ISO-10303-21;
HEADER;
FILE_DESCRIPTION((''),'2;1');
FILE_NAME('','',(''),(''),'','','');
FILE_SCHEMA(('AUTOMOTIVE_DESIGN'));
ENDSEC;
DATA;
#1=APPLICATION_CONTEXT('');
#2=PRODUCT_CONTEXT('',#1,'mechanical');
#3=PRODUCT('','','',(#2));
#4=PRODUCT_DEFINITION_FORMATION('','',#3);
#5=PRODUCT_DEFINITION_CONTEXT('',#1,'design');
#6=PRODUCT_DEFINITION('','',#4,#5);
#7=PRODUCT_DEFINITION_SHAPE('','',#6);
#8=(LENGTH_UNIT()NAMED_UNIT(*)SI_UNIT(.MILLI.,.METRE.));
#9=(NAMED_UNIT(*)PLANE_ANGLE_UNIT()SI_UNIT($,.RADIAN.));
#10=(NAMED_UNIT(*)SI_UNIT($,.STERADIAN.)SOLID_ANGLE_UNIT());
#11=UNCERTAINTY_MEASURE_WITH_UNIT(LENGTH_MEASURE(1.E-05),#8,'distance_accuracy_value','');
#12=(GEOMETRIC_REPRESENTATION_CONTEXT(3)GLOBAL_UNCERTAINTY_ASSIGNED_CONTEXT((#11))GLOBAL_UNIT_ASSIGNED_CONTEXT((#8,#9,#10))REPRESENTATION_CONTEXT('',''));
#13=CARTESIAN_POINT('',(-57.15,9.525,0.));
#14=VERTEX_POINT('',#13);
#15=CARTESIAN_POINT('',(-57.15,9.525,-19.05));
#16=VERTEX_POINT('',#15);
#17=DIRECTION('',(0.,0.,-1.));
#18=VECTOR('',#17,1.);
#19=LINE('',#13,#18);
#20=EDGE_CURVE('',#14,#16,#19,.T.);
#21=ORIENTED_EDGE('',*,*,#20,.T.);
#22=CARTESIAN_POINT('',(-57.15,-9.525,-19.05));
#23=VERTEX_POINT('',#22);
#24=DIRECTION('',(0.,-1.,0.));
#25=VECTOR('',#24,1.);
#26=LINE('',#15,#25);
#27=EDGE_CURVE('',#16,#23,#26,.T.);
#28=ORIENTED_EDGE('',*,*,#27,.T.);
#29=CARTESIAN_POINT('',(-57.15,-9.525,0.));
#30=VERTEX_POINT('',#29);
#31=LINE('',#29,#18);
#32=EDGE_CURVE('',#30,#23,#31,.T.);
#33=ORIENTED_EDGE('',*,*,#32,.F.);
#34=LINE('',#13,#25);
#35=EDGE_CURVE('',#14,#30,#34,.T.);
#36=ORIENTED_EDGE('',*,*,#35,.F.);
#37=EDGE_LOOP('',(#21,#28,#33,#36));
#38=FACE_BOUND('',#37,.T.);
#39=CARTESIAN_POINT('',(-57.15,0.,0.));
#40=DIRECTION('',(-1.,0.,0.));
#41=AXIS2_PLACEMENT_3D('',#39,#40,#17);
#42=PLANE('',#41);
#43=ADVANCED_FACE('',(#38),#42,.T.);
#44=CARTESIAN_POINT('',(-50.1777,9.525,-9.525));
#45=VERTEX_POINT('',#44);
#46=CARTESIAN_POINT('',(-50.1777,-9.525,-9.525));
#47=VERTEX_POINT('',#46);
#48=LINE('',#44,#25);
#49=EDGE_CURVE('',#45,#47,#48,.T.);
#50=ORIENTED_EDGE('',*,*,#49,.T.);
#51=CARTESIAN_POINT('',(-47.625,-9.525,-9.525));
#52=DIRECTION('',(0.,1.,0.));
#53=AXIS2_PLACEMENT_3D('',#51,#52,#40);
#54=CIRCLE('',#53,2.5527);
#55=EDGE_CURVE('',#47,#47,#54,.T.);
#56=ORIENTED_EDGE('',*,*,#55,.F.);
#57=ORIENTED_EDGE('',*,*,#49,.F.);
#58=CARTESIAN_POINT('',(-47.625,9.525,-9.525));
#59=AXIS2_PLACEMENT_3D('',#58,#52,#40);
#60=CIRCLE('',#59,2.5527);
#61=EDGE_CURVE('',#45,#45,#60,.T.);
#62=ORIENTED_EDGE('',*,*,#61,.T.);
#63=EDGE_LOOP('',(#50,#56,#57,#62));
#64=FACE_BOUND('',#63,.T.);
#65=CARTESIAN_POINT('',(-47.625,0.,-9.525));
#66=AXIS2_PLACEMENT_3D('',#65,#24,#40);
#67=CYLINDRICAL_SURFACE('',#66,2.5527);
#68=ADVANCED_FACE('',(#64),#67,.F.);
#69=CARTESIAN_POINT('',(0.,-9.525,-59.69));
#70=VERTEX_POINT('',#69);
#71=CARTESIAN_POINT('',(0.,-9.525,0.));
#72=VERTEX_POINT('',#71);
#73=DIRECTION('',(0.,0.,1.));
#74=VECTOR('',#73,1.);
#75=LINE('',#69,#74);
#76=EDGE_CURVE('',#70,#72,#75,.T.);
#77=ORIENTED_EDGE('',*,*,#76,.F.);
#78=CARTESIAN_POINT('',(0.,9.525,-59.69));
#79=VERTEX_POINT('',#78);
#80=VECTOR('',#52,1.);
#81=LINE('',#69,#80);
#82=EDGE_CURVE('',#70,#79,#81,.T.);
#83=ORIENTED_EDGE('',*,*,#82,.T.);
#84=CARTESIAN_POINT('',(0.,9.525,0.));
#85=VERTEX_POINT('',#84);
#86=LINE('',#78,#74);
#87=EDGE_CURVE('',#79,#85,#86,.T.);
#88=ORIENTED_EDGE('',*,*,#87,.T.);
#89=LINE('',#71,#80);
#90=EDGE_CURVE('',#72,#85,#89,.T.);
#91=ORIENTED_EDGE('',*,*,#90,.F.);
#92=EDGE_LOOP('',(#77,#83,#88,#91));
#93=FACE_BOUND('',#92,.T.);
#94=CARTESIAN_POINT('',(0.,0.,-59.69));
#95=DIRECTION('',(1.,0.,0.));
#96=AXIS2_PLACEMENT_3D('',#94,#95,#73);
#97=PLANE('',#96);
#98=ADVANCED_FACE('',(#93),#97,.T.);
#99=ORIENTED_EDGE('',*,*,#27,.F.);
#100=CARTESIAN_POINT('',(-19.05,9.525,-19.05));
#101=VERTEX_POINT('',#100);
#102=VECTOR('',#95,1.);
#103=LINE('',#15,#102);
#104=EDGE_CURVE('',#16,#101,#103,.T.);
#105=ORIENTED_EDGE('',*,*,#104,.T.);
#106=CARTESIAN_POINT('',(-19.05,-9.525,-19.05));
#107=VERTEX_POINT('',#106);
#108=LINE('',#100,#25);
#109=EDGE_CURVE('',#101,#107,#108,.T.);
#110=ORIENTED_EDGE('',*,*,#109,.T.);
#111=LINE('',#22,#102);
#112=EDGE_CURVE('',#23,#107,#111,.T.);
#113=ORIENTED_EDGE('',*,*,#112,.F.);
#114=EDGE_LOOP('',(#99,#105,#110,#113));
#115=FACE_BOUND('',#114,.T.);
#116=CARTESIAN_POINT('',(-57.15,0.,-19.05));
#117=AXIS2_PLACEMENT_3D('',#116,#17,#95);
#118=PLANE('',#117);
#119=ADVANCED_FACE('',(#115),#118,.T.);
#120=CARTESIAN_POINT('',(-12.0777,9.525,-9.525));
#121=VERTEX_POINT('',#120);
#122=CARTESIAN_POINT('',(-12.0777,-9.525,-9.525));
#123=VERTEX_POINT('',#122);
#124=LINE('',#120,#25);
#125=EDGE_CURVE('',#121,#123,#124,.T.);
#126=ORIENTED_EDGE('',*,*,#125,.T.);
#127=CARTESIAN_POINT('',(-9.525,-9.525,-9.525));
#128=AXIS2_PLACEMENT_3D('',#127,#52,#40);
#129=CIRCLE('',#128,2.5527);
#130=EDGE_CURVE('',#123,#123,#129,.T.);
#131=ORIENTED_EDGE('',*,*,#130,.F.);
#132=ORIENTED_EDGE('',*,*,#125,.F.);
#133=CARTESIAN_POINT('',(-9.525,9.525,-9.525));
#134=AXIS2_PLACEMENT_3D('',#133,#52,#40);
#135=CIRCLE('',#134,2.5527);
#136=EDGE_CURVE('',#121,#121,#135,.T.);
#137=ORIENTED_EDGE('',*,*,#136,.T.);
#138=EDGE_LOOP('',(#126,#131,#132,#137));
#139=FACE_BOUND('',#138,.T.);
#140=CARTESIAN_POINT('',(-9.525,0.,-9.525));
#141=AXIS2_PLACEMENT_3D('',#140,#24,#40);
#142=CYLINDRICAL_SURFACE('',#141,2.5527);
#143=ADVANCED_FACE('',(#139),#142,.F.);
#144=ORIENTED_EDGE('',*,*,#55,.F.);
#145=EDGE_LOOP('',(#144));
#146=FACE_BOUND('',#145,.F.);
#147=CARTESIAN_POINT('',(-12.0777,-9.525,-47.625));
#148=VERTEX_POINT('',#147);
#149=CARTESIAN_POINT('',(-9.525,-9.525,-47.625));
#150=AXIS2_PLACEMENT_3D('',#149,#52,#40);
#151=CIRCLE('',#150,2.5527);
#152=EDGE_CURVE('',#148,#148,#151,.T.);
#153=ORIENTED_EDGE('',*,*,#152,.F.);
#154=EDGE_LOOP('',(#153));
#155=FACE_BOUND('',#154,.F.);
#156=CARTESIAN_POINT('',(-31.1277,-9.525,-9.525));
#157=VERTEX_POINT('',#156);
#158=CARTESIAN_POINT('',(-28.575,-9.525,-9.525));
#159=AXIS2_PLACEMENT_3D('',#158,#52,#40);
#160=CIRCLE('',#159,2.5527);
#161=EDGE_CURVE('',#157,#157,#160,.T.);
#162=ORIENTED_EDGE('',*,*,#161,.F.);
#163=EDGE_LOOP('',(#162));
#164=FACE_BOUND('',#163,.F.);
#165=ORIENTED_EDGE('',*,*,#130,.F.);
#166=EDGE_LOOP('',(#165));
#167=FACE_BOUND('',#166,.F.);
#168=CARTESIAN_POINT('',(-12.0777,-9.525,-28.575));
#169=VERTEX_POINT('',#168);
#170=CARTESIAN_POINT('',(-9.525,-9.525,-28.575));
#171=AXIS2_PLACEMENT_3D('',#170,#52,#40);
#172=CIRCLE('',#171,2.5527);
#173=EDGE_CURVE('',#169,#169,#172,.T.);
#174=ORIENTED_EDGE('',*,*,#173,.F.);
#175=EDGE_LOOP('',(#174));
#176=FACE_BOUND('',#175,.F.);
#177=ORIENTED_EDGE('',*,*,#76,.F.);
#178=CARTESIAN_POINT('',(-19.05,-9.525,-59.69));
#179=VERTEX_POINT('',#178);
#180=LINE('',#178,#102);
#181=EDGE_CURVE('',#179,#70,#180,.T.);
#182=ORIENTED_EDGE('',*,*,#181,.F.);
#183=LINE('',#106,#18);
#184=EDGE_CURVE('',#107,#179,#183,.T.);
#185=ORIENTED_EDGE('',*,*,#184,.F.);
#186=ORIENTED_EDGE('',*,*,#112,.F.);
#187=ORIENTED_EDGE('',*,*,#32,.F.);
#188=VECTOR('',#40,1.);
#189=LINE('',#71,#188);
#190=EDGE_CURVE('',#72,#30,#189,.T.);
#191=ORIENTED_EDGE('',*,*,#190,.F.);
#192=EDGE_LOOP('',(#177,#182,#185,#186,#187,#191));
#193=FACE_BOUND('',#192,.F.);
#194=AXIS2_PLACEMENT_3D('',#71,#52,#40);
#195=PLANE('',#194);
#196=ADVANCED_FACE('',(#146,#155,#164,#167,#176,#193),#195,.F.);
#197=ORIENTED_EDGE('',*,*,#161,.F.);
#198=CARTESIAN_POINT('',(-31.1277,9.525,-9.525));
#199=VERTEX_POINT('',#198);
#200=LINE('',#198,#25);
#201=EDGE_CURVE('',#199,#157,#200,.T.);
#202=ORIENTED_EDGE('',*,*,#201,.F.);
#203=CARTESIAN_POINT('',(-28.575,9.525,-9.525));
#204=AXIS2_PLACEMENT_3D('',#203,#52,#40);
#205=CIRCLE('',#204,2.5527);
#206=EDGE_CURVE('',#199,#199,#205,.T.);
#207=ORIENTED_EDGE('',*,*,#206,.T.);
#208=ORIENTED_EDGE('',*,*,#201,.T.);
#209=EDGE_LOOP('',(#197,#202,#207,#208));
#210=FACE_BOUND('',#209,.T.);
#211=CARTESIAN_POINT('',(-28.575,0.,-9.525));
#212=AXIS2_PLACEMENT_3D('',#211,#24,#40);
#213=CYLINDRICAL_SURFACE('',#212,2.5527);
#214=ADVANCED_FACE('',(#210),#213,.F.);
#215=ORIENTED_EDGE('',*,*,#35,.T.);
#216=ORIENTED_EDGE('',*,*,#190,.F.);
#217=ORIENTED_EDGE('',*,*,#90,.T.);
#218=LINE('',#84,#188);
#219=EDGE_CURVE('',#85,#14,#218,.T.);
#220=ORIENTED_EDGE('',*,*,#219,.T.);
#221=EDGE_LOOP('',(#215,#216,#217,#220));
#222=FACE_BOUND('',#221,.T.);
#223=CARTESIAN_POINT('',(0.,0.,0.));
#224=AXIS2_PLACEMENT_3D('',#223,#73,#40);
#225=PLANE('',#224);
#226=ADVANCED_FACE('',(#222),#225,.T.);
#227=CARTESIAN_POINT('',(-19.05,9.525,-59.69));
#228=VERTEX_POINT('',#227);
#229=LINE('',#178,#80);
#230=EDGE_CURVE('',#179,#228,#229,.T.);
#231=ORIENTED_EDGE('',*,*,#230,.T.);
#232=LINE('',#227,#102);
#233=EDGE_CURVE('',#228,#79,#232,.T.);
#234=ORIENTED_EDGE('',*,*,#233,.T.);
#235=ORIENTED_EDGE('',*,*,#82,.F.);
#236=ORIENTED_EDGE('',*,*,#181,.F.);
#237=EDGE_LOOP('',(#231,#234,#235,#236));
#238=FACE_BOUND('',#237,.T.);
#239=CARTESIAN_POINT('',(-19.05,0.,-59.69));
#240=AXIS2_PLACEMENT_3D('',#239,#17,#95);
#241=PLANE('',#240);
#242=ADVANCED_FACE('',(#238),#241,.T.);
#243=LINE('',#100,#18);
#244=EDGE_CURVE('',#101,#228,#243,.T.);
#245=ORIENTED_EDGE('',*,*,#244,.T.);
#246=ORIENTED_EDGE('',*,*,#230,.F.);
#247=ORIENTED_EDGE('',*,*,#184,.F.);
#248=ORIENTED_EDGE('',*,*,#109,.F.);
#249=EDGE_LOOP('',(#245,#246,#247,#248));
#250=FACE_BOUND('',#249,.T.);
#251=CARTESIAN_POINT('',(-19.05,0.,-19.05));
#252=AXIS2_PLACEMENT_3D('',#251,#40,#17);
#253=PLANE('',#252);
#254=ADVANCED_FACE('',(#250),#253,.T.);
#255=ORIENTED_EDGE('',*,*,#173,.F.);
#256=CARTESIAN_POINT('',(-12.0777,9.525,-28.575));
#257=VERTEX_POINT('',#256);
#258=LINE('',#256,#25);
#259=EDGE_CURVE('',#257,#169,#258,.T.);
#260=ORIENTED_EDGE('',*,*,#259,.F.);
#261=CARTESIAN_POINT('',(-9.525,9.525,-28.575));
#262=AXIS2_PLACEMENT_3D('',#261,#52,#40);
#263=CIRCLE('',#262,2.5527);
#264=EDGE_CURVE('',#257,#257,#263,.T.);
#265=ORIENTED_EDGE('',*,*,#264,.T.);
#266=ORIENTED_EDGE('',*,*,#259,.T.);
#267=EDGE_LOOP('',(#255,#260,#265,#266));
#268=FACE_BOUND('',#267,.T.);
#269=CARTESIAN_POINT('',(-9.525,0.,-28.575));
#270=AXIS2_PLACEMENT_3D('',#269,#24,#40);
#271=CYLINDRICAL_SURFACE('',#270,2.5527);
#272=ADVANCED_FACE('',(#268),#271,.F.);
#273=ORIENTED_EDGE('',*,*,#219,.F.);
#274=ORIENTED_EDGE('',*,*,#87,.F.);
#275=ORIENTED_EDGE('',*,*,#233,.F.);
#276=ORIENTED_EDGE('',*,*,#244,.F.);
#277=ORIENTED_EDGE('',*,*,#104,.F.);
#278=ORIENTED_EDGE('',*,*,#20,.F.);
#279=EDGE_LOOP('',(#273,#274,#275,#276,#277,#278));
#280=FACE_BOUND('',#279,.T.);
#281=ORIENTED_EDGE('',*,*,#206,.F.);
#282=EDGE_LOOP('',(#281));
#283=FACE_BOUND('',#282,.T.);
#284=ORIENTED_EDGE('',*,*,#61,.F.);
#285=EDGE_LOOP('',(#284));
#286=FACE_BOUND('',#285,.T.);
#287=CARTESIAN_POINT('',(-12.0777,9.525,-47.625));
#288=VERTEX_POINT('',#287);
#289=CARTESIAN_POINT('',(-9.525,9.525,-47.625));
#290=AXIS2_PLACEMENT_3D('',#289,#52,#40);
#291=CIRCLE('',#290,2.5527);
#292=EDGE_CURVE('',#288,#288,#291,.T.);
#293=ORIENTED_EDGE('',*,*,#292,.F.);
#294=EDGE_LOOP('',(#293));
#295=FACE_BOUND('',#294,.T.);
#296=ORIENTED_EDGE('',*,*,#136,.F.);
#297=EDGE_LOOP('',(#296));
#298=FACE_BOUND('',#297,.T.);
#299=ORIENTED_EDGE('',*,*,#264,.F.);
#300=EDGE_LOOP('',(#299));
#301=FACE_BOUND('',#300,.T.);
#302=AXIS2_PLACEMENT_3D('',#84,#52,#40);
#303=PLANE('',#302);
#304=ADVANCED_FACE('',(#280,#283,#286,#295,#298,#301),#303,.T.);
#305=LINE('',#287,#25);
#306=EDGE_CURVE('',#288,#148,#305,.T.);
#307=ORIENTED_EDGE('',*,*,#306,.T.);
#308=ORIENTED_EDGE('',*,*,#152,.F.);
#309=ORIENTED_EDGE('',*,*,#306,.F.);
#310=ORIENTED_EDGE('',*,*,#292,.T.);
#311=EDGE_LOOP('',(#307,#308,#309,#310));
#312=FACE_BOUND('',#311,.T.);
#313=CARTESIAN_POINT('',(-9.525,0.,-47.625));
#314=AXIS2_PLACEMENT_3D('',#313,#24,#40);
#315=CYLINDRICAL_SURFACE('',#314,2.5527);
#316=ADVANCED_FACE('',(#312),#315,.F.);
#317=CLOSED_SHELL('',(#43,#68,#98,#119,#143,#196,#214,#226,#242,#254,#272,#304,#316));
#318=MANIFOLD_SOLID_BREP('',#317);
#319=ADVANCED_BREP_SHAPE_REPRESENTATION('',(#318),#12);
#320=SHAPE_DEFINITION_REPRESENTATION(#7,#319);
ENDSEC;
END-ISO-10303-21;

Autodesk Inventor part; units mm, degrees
ref_plane "YZ Plane" through (0, 0, 0) normal (1, 0, 0) x (0, 1, 0)
ref_plane "XZ Plane" through (0, 0, 0) normal (0, 1, 0) x (-1, 0, 0)
ref_plane "XY Plane" through (0, 0, 0) normal (0, 0, 1) x (1, 0, 0)
sketch "Sketch1" plane through (0, 0, 0) normal (0, 1, 0) x (-1, 0, 0)
  line L0 (0, 0) -> (57.15, 0)
  line L1 (57.15, 0) -> (57.15, -19.05)
  line L2 (57.15, -19.05) -> (19.05, -19.05)
  line L3 (19.05, -19.05) -> (19.05, -59.69)
  line L4 (19.05, -59.69) -> (0, -59.69)
  line L5 (0, -59.69) -> (0, 0)
  circle A0 centre (28.575, -9.525) radius 2.5527
  circle A1 centre (47.625, -9.525) radius 2.5527
  line L6 (19.05, -19.05) -> (0, 0) construction
  circle A2 centre (9.525, -28.575) radius 2.5527
  circle A3 centre (9.525, -47.625) radius 2.5527
  circle A4 centre (9.525, -9.525) radius 2.5527
  point P0 (57.15, -9.525)
  dimension "d0" = 19.05
  dimension "d1" = 19.05
  dimension "d2" = 59.69
  dimension "d3" = 57.15
  dimension "d4" = 5.1054
  dimension "d5" = 28.575
  dimension "d6" = 19.05
extrude "Extrusion1" add sketch "Sketch1" along normal mid plane 19.05
thread "Thread1" size "1/4-20 UNC" class "2B" standard "ANSI Unified Screw Threads" full length
thread "Thread2" size "1/4-20 UNC" class "2B" standard "ANSI Unified Screw Threads" full length
thread "Thread3" size "1/4-20 UNC" class "2B" standard "ANSI Unified Screw Threads" full length
thread "Thread4" size "1/4-20 UNC" class "2B" standard "ANSI Unified Screw Threads" full length
thread "Thread5" size "1/4-20 UNC" class "2B" standard "ANSI Unified Screw Threads" full length
properties part number "STRU_025_DoubleBillet_90_2.25in_2" material "Aluminum 6061"
